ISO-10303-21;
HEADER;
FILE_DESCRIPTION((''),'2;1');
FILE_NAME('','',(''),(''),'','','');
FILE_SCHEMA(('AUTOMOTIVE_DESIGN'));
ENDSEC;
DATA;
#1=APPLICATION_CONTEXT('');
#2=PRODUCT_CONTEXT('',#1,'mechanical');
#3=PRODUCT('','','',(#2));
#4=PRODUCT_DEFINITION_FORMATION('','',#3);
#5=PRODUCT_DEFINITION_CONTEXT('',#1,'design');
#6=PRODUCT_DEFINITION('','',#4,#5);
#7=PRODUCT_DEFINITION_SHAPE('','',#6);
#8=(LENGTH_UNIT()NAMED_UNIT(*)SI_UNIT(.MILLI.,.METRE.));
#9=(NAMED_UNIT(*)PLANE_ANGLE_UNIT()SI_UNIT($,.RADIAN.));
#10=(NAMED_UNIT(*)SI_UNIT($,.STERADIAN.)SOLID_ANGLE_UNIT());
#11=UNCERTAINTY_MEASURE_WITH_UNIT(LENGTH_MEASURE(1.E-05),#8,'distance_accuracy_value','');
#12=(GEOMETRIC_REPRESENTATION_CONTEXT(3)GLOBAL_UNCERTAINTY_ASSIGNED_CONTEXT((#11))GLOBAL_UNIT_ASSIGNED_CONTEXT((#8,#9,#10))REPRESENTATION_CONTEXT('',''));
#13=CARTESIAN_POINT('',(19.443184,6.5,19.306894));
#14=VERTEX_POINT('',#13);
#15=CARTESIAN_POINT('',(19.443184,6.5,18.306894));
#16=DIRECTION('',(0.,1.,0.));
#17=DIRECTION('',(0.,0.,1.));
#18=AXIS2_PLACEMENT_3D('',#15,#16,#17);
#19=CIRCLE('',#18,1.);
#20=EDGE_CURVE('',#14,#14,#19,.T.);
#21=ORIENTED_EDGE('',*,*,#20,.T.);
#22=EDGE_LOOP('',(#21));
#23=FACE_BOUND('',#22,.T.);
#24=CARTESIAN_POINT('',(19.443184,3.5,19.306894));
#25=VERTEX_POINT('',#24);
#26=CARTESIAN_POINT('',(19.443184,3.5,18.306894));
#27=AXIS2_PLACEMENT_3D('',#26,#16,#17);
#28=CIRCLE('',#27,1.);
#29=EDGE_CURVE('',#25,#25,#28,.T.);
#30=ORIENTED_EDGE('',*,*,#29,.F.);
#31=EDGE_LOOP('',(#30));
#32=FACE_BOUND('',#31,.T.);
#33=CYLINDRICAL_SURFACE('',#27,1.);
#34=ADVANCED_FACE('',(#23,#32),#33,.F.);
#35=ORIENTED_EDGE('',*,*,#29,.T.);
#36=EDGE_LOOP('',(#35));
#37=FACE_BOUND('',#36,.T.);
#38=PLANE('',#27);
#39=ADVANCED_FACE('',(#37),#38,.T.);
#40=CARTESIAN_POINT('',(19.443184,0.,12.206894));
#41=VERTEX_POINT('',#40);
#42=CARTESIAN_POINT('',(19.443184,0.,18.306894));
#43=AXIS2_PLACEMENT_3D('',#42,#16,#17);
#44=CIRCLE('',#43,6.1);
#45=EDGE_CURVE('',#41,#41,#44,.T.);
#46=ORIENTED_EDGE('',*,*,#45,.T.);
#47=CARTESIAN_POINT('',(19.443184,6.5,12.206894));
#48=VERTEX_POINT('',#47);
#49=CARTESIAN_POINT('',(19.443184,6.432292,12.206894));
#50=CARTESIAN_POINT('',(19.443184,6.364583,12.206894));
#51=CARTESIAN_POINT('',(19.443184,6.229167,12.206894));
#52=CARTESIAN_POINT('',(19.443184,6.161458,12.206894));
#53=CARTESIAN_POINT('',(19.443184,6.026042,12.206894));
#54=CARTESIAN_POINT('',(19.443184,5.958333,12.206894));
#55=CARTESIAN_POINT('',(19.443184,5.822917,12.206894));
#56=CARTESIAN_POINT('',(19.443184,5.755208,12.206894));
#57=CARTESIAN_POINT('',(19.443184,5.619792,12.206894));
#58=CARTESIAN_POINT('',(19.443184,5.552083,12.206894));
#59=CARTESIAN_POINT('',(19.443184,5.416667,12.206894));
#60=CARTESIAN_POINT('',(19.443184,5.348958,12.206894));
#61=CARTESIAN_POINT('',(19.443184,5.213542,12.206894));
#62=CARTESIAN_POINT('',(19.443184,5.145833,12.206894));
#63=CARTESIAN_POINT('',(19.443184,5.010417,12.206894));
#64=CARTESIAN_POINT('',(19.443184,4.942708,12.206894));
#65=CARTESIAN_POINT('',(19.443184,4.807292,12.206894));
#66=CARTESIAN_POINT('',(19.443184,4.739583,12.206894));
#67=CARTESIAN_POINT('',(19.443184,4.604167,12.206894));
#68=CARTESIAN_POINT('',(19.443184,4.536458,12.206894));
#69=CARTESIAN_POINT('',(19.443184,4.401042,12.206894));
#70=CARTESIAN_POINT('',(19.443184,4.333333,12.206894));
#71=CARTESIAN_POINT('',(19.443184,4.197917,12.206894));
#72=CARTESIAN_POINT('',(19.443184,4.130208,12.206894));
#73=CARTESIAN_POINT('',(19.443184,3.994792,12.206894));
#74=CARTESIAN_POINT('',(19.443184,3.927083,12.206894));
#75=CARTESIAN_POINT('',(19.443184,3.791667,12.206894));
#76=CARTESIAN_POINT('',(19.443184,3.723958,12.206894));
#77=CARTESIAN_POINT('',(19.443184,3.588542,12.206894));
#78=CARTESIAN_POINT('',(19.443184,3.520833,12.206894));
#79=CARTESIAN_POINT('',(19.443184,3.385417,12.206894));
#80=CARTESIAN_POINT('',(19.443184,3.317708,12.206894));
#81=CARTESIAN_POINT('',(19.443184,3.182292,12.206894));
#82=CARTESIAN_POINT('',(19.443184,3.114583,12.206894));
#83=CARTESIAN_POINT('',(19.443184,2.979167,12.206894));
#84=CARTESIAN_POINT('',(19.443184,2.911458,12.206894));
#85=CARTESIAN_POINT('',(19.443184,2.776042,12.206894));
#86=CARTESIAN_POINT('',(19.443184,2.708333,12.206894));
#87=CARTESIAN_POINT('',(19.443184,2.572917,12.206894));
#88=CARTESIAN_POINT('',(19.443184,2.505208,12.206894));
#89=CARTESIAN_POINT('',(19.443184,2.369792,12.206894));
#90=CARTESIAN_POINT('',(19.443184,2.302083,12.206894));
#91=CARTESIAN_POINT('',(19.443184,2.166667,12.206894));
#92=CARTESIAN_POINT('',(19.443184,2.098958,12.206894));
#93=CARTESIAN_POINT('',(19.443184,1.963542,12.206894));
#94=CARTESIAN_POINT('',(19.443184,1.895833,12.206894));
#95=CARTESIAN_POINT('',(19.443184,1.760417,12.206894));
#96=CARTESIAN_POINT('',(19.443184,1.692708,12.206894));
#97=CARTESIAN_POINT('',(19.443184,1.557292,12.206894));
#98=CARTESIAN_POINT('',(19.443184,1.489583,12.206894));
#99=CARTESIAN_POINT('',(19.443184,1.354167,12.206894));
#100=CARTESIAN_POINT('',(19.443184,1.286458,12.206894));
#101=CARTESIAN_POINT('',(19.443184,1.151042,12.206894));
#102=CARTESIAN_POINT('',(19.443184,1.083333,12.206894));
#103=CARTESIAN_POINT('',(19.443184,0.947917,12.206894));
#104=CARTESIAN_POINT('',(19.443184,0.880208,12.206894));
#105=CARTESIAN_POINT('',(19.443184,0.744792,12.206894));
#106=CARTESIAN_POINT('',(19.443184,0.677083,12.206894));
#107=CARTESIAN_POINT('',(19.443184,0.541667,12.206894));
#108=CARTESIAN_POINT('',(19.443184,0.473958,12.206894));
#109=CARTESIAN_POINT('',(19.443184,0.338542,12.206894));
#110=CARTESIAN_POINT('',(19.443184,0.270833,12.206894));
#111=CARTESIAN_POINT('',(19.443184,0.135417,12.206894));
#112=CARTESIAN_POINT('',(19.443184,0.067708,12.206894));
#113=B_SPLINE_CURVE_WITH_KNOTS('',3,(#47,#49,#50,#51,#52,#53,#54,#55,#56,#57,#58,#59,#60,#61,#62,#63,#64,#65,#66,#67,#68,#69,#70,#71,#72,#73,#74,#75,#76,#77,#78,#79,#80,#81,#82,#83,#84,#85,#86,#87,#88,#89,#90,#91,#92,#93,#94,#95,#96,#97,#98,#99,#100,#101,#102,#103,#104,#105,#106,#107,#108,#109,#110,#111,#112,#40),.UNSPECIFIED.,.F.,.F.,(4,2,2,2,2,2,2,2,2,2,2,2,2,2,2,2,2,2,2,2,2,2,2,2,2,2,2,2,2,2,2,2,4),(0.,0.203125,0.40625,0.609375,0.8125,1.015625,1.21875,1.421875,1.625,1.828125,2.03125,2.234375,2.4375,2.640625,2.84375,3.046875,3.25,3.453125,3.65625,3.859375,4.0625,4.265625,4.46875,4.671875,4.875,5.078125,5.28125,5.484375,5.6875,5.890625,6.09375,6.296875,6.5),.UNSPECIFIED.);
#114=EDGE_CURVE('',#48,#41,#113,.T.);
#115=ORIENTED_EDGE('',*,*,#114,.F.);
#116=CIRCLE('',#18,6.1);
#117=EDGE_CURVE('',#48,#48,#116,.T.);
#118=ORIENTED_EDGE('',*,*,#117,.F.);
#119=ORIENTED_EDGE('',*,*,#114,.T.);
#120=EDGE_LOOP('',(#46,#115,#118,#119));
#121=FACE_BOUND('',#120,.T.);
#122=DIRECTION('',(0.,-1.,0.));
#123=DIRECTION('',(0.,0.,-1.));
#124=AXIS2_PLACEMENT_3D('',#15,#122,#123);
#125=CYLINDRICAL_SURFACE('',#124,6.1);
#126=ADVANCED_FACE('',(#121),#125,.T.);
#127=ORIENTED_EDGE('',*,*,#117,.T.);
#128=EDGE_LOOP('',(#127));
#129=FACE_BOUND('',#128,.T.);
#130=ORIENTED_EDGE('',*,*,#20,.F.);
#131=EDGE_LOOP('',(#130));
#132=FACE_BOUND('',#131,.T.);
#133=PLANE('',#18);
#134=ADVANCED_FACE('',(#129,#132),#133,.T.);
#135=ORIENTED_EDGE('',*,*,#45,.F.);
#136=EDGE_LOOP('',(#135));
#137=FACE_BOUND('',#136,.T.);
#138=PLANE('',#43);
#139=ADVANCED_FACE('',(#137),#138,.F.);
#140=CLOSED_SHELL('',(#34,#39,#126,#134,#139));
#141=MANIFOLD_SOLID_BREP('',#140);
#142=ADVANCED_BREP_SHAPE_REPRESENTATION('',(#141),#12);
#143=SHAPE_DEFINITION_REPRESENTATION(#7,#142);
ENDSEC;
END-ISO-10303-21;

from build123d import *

# Parameters (mm, degrees)
ESQUISSE1_R             = 6.1
BOSS_EXTRU_1_DEPTH      = 6.5
ESQUISSE2_R             = 1
ENL_V_MAT_EXTRU_1_DEPTH = 3


with BuildPart() as part:
    # Esquisse1 → Boss.-Extru.1 (new body)
    with BuildSketch(Plane(origin=(0, 0, 0), x_dir=(1, 0, 0), z_dir=(0, 1, 0))):
        with Locations(Location((19.443183819, -18.306893855, 0), (0, 0, 90))):
            Circle(ESQUISSE1_R)
    extrude(amount=BOSS_EXTRU_1_DEPTH)

    # Esquisse2 → Enlèv. mat.-Extru.1 (cut)
    with BuildSketch(Plane(origin=(0, 6.5, 0), x_dir=(1, 0, 0), z_dir=(0, 1, 0))):
        with Locations(Location((19.443183819, -18.306893855, 0), (0, 0, 270))):
            Circle(ESQUISSE2_R)
    extrude(amount=-ENL_V_MAT_EXTRU_1_DEPTH, mode=Mode.SUBTRACT)


solid = part.part
